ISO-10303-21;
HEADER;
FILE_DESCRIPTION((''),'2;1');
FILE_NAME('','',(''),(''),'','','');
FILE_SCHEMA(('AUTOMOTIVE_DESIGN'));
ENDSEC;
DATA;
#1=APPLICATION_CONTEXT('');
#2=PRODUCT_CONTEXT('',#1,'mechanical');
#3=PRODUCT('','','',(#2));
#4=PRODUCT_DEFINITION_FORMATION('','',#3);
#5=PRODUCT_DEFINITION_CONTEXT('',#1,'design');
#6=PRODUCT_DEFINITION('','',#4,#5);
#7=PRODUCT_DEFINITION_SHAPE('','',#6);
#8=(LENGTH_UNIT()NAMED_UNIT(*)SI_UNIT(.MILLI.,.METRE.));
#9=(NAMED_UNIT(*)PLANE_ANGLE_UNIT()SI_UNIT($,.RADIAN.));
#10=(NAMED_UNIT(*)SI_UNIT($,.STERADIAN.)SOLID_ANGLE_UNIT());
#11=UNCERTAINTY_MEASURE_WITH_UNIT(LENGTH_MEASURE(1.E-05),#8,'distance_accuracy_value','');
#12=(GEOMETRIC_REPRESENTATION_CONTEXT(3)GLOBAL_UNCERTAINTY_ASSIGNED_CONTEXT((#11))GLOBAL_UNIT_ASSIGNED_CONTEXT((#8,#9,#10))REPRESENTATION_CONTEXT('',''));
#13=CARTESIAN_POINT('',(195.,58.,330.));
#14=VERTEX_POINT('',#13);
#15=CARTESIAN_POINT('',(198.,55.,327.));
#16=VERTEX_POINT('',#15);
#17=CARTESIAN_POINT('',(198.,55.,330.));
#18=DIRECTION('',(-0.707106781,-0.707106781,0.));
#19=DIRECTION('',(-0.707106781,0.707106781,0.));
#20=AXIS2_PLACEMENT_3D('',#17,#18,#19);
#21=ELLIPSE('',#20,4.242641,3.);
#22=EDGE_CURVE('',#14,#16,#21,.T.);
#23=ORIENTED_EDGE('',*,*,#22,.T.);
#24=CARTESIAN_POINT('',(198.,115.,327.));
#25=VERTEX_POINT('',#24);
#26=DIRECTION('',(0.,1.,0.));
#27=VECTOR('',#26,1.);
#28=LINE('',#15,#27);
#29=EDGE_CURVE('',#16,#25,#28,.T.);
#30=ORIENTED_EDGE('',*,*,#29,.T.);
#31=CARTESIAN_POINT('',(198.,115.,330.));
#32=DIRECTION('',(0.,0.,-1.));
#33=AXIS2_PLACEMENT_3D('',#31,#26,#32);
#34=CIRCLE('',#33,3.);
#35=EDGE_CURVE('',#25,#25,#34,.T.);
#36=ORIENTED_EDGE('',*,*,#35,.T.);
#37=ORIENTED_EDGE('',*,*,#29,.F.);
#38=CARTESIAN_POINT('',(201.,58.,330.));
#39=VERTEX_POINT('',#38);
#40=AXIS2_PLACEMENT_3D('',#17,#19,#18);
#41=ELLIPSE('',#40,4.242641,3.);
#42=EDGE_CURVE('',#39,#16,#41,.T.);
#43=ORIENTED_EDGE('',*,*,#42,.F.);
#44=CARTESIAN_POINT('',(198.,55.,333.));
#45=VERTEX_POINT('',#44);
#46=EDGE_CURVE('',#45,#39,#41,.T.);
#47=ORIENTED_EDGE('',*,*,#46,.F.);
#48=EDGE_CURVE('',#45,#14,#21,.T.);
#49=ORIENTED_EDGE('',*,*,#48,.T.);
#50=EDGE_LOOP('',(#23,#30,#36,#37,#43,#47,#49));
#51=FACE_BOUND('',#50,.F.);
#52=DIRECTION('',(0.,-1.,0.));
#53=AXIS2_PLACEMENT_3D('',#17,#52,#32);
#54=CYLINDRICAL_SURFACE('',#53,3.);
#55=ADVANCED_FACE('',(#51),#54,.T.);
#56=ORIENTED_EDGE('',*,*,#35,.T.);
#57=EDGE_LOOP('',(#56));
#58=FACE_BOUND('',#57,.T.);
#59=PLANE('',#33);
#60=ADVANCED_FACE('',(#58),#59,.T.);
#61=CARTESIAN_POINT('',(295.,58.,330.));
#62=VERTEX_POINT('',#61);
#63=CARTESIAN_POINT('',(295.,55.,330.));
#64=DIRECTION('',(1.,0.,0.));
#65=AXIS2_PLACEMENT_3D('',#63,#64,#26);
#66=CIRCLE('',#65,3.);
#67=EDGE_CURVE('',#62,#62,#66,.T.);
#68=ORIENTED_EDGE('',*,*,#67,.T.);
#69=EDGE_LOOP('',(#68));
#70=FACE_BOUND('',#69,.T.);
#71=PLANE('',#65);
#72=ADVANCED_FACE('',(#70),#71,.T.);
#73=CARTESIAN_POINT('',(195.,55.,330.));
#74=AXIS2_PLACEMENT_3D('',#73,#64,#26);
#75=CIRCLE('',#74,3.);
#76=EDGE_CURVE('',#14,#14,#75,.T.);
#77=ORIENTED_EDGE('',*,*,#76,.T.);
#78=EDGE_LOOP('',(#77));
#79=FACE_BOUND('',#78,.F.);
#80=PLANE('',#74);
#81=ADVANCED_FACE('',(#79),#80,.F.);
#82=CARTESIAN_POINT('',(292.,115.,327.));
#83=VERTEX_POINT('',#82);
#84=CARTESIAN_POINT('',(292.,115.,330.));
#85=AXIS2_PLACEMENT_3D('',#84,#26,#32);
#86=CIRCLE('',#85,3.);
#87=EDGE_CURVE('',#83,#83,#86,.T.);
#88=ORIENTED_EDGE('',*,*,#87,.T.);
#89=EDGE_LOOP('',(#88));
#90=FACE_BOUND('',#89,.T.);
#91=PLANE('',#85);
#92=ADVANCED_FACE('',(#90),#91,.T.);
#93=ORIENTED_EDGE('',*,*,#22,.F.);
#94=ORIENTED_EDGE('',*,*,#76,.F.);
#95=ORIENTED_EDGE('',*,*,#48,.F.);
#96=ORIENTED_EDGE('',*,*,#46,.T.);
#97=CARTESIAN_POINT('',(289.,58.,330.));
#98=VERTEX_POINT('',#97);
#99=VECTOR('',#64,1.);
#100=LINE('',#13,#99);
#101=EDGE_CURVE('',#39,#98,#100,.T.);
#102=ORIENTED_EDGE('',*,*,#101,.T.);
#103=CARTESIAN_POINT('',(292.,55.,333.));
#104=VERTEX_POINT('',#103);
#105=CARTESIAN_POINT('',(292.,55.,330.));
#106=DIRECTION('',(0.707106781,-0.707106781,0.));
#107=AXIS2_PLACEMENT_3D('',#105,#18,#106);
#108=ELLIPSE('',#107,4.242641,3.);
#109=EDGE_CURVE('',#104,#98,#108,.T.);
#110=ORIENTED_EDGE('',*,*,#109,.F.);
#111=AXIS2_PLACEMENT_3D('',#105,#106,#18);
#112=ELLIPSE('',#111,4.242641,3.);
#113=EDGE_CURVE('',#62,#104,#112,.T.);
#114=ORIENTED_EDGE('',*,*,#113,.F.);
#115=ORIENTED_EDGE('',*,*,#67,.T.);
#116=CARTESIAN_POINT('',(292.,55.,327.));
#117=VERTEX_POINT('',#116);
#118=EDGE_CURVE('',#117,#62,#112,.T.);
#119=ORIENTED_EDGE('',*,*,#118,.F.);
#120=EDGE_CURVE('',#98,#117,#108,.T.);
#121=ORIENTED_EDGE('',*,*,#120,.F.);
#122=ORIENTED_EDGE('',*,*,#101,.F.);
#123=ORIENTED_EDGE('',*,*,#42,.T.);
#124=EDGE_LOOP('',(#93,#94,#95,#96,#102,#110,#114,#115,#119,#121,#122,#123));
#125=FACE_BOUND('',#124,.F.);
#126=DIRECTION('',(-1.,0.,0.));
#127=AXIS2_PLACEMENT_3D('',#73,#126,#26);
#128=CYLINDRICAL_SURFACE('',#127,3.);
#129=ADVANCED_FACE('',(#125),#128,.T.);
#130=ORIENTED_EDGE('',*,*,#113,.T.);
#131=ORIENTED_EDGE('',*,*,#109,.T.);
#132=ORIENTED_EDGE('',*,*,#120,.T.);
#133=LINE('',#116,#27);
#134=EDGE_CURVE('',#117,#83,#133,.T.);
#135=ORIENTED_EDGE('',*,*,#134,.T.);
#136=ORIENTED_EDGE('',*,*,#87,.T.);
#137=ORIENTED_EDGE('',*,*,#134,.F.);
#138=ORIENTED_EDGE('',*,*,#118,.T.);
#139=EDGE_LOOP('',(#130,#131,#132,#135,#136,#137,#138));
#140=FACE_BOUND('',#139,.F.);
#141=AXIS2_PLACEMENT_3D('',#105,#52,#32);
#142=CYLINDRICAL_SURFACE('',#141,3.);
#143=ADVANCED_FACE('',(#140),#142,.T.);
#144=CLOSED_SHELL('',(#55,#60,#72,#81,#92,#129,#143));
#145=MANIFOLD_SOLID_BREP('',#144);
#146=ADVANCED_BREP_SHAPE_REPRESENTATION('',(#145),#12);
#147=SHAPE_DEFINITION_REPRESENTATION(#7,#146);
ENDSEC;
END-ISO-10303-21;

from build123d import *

# Parameters (mm, degrees)
CYLINDER026_R             = 3
CYLINDER026_DEPTH         = 60
CYLINDER026_PITCH_ANGLE   = 90
CYLINDER025_R             = 3
CYLINDER025_DEPTH         = 100
CYLINDER025_ROLL_ANGLE    = 90
CYLINDER027_R             = 3
CYLINDER027_DEPTH         = 60
CYLINDER027_PITCH_ANGLE   = 90
FUSION011_PLACEMENT_ANGLE = 90


with BuildPart() as cylinder032:
    # Cylinder026 → Cylinder026 (new body)
    with BuildSketch(Plane.XY):
        Circle(CYLINDER026_R)
    extrude(amount=CYLINDER026_DEPTH)


with BuildPart() as cylinder032_1:
    # Cylinder026 pitch: moved
    add(cylinder032.part.rotate(Axis((0, 0, 0), (0, 1, 0)), CYLINDER026_PITCH_ANGLE))


with BuildPart() as cylinder032_2:
    # Cylinder026 placement: moved
    add(cylinder032_1.part.moved(Location((-50, -3, 0))))


with BuildPart() as fusion010:
    # Cylinder025 → Cylinder025 (new body)
    with BuildSketch(Plane.XY):
        Circle(CYLINDER025_R)
    extrude(amount=CYLINDER025_DEPTH)


with BuildPart() as fusion010_1:
    # Cylinder025 roll: moved
    add(fusion010.part.rotate(Axis((0, 0, 0), (1, 0, 0)), CYLINDER025_ROLL_ANGLE))


with BuildPart() as fusion010_2:
    # Cylinder025 placement: moved
    add(fusion010_1.part.moved(Location((-50, 0, 0))))

    # Fusion010: union Cylinder032
    add(cylinder032_2.part)


with BuildPart() as handle_top:
    # Cylinder027 → Cylinder027 (new body)
    with BuildSketch(Plane.XY):
        Circle(CYLINDER027_R)
    extrude(amount=CYLINDER027_DEPTH)


with BuildPart() as handle_top_1:
    # Cylinder027 pitch: moved
    add(handle_top.part.rotate(Axis((0, 0, 0), (0, 1, 0)), CYLINDER027_PITCH_ANGLE))


with BuildPart() as handle_top_2:
    # Cylinder027 placement: moved
    add(handle_top_1.part.moved(Location((-50, -97, 0))))

    # Fusion011: union Fusion010
    add(fusion010_2.part)


with BuildPart() as handle_top_3:
    # Fusion011 placement: moved
    add(handle_top_2.part.moved(Location((195, 105, 330))).rotate(Axis((195, 105, 330), (0, 0, 1)), FUSION011_PLACEMENT_ANGLE))


solid = handle_top_3.part
